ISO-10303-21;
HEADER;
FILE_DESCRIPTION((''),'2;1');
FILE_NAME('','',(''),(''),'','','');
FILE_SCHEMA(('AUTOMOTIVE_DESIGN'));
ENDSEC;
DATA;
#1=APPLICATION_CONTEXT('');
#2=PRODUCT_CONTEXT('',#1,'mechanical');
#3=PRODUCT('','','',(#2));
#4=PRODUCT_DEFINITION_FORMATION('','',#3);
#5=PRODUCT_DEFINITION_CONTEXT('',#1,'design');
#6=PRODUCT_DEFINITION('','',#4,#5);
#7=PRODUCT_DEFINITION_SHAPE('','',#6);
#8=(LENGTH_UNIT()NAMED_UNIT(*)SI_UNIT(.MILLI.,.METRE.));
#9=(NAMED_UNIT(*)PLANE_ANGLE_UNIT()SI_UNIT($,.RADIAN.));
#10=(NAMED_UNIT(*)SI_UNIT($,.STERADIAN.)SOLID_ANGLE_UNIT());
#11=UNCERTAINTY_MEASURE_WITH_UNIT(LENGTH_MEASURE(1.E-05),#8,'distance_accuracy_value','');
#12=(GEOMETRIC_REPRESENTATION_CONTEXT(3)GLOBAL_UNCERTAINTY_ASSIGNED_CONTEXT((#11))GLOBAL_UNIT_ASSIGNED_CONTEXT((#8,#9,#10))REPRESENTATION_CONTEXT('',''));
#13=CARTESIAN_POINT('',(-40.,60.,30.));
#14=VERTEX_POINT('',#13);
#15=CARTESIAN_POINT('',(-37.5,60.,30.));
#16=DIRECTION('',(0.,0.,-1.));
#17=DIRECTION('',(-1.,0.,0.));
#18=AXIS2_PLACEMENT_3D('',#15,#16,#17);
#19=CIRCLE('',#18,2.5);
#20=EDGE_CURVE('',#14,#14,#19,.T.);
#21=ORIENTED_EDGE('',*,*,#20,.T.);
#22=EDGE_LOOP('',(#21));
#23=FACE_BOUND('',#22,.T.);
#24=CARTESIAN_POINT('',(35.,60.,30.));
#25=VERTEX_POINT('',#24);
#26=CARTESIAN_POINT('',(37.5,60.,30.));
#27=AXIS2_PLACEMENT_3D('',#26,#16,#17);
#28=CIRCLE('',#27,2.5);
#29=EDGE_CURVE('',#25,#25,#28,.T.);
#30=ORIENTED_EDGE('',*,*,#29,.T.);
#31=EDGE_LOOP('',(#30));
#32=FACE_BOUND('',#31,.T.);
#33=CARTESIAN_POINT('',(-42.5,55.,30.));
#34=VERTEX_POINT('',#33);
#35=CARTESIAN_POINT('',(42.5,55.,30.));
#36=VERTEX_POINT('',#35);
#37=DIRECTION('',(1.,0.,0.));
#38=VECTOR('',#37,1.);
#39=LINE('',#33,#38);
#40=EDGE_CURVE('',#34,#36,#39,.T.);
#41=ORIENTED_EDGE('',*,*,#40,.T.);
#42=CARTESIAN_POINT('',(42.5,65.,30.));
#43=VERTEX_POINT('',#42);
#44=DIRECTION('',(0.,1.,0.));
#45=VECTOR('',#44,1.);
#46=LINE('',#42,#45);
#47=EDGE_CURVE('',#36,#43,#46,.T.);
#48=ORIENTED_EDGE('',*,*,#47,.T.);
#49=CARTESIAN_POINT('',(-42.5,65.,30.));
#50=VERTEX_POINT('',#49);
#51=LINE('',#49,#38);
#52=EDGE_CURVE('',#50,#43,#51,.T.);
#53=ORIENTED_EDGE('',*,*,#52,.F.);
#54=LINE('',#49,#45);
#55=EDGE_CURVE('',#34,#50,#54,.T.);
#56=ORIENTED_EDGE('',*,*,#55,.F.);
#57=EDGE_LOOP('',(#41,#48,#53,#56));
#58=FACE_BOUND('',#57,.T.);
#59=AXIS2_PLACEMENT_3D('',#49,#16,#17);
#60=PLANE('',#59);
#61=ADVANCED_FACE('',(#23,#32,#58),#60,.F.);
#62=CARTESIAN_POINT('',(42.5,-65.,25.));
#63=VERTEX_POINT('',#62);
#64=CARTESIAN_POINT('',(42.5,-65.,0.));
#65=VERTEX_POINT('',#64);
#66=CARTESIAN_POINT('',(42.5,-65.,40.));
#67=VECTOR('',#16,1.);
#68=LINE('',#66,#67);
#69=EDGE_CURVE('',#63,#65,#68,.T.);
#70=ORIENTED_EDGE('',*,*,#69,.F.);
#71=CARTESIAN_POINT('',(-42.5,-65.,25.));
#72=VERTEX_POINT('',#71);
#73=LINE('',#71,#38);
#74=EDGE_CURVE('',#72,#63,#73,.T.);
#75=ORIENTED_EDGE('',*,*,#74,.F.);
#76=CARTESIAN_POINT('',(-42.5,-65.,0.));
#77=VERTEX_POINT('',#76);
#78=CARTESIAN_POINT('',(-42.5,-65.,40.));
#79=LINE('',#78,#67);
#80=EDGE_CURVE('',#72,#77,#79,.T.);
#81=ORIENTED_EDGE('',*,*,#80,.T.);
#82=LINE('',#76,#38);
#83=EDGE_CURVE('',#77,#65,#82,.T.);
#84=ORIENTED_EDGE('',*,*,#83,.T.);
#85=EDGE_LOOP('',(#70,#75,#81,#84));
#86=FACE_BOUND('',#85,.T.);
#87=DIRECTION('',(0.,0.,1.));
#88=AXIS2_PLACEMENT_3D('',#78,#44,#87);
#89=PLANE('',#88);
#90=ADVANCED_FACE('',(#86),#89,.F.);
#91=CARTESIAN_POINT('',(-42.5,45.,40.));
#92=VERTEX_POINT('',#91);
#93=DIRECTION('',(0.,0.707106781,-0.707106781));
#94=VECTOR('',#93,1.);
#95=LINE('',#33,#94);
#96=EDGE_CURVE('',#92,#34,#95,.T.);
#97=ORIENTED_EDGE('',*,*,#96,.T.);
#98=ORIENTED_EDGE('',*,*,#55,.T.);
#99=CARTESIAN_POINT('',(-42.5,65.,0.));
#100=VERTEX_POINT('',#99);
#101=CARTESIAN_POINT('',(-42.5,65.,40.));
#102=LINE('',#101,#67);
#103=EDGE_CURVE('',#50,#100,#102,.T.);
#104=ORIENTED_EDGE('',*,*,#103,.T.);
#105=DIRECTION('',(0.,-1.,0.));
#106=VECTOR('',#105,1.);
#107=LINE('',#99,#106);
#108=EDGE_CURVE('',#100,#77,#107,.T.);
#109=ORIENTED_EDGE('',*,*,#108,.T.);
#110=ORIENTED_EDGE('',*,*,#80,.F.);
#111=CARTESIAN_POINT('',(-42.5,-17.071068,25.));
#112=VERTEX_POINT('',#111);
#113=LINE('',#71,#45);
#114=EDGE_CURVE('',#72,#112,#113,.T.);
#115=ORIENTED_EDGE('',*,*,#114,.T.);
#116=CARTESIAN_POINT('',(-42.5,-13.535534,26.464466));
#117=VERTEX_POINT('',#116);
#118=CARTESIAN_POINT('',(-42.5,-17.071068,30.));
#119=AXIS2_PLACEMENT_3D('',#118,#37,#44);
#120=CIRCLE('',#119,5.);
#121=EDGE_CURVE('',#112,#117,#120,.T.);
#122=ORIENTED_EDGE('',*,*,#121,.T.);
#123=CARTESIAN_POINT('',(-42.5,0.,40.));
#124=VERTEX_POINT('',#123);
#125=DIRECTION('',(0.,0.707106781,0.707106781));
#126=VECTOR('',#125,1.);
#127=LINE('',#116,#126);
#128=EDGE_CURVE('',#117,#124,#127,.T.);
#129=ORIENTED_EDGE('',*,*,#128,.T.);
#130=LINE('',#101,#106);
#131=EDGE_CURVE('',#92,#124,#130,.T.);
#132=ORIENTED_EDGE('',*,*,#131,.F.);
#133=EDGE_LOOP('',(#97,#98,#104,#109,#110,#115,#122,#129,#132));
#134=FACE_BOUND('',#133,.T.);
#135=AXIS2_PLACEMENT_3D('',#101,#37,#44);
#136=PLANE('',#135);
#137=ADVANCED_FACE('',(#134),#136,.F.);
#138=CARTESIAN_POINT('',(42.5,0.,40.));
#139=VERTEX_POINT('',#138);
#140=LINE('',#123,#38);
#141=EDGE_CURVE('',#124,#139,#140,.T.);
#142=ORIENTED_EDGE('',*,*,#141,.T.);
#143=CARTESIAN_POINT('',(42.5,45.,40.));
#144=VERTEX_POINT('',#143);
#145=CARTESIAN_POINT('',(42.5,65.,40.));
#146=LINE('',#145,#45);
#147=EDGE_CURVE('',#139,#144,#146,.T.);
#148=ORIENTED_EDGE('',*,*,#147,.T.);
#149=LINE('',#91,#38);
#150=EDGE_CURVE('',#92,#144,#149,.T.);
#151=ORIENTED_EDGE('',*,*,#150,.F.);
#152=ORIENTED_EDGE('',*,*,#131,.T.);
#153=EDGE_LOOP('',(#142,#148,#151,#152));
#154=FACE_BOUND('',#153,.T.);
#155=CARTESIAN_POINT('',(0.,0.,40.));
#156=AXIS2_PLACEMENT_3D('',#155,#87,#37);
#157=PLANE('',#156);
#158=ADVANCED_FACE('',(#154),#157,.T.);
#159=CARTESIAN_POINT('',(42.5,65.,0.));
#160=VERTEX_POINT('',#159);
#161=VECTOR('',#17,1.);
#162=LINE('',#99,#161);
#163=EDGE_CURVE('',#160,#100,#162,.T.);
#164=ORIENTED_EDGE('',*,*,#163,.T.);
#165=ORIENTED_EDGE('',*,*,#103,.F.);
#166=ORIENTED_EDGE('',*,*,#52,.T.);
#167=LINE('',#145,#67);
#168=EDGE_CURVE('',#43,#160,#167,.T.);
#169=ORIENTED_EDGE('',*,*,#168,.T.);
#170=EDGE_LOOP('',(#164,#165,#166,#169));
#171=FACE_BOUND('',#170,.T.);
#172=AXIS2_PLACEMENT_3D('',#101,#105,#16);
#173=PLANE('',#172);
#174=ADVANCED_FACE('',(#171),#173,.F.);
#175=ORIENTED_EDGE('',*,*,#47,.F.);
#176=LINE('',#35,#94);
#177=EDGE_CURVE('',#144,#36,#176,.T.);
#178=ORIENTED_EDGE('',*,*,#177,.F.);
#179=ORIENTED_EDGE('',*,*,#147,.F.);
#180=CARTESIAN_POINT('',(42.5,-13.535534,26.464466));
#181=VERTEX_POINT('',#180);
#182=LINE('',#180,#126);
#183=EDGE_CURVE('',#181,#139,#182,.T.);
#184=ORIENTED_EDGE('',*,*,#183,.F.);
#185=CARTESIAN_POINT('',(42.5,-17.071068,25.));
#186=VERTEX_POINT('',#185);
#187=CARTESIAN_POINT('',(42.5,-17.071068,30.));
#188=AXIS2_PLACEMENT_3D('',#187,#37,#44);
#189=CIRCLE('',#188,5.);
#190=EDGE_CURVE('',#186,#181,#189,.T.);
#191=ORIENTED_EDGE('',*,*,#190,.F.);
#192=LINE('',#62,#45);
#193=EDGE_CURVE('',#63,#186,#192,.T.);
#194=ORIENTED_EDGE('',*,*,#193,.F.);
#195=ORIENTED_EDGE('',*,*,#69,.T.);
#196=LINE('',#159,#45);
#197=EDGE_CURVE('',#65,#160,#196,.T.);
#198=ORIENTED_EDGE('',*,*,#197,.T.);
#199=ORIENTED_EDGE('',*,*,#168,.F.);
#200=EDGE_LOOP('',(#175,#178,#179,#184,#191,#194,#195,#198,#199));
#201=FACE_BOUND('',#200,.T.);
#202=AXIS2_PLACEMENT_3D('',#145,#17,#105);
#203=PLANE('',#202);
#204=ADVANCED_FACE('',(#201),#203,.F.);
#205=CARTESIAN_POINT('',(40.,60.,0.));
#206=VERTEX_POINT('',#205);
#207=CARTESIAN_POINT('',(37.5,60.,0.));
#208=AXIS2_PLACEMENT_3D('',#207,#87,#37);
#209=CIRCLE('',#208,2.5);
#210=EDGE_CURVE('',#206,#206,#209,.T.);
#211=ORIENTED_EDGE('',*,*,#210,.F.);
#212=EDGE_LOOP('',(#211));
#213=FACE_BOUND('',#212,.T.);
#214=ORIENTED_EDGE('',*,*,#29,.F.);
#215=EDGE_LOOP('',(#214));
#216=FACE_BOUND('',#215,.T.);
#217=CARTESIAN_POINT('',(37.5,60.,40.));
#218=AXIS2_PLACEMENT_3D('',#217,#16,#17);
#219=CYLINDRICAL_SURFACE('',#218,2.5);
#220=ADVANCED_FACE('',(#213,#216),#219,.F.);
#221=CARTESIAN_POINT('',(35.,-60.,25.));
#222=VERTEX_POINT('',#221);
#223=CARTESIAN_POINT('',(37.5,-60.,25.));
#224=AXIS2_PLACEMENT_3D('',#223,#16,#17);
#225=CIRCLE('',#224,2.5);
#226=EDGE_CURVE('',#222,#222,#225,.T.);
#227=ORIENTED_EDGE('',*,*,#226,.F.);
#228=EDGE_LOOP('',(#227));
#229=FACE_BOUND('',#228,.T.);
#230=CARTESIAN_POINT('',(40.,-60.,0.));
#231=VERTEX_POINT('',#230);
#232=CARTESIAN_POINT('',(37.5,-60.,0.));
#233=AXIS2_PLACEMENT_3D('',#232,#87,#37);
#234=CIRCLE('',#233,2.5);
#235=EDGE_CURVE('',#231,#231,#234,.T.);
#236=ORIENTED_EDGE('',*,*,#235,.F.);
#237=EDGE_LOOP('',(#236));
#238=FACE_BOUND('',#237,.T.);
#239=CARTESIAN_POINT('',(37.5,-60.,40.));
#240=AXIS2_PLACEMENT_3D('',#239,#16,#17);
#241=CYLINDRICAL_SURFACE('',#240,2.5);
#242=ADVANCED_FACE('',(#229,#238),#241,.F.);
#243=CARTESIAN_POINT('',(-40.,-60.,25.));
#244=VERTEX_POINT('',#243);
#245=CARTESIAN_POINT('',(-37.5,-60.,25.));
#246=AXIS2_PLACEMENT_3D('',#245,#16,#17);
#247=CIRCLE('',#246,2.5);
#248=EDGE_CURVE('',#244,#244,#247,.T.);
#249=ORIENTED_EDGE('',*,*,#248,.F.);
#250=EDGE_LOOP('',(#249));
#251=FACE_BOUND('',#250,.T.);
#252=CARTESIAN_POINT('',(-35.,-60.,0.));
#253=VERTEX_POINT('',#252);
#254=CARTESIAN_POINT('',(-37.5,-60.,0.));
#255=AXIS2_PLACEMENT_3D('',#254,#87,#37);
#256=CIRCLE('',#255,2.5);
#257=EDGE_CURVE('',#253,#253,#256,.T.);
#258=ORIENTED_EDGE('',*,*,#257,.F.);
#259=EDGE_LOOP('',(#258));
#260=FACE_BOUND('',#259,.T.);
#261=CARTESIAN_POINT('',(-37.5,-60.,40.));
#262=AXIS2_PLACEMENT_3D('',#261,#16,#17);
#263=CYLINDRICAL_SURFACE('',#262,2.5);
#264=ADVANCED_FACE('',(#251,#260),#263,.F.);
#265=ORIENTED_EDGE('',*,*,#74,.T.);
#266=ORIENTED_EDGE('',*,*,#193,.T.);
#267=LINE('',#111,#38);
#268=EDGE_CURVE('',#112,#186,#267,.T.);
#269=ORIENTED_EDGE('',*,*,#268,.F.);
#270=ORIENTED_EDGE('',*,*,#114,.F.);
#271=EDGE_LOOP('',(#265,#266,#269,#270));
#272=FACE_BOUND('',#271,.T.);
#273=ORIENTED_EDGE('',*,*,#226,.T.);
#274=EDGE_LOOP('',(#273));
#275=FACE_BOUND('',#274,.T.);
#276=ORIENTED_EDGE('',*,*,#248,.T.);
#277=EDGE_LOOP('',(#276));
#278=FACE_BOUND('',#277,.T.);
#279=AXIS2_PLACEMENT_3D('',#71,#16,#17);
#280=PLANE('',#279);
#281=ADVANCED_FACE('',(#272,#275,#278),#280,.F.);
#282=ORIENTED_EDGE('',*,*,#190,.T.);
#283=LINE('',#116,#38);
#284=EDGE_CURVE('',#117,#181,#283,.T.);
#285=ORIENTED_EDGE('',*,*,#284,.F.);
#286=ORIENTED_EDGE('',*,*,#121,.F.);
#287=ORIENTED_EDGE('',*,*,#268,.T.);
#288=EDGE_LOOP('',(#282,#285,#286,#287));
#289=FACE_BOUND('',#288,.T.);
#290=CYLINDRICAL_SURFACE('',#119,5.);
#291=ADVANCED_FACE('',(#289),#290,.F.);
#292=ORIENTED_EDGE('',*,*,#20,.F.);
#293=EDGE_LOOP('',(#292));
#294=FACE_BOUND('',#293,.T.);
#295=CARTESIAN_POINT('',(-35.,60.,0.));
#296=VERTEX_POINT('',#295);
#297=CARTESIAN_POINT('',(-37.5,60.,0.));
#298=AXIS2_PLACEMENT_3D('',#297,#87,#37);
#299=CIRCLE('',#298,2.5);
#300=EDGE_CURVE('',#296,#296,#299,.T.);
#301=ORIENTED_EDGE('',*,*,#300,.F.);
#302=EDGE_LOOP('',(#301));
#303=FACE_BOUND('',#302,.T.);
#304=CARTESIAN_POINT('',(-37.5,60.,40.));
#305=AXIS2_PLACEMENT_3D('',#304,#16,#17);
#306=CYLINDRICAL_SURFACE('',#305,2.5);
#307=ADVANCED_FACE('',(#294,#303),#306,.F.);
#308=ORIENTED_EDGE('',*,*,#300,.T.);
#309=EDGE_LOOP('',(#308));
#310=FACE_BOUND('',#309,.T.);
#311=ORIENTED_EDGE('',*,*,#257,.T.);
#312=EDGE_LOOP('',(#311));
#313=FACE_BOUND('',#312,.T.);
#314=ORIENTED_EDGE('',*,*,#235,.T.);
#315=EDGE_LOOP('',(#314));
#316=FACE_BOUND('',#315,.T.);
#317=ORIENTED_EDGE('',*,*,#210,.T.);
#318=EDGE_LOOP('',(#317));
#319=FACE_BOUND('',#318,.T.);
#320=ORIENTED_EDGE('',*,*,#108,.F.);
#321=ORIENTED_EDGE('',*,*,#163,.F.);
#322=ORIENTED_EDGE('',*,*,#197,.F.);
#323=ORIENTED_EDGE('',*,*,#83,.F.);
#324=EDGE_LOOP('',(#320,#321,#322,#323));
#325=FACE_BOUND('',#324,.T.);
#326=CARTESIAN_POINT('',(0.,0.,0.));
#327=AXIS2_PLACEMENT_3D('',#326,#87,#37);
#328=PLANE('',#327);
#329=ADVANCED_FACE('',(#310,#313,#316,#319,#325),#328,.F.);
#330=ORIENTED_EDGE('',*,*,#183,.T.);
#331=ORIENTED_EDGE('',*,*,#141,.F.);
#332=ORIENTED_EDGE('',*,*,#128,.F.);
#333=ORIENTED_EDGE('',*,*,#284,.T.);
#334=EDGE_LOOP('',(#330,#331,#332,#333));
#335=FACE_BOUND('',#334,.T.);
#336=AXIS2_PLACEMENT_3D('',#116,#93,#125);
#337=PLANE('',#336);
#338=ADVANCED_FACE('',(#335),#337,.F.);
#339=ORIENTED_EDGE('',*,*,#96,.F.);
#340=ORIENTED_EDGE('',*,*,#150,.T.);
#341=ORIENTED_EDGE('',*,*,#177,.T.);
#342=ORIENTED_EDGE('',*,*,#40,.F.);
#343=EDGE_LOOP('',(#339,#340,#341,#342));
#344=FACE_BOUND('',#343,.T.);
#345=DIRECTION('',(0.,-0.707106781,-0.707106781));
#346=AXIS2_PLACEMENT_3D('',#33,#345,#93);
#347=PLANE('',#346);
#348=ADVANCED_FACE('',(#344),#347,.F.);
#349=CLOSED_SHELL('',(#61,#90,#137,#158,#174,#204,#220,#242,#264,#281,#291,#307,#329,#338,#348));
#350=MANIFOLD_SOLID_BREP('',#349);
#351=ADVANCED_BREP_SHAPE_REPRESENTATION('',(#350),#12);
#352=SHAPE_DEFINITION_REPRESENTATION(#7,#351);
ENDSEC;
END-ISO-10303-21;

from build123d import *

# Parameters (mm, degrees)
SCHIZZO1_W                   = 85
SCHIZZO1_H                   = 130
SCHIZZO1_R                   = 2.5
ESTRUSIONE_ESTRUSIONE1_DEPTH = 40
TAGLIO_ESTRUSIONE1_DEPTH     = 115.236596588


with BuildPart() as part:
    # Schizzo1 → Estrusione-Estrusione1 (new body)
    with BuildSketch(Plane.XY):
        Rectangle(SCHIZZO1_W, SCHIZZO1_H)
        with Locations((-37.5, 60)):
            Circle(SCHIZZO1_R, mode=Mode.SUBTRACT)
        with Locations((37.5, 60)):
            Circle(SCHIZZO1_R, mode=Mode.SUBTRACT)
        with Locations((37.5, -60)):
            Circle(SCHIZZO1_R, mode=Mode.SUBTRACT)
        with Locations((-37.5, -60)):
            Circle(SCHIZZO1_R, mode=Mode.SUBTRACT)
    extrude(amount=ESTRUSIONE_ESTRUSIONE1_DEPTH)

    # Schizzo2 → Taglio-Estrusione1 (cut, through all)
    with BuildSketch(Plane(origin=(42.5, 0, 0), x_dir=(0, 0, -1), z_dir=(1, 0, 0))):
        Polygon((-40, 65), (-30, 65), (-30, 55), (-40, 45), align=None)
        with BuildLine():
            Line((-40, 0), (-40, -65))
            Line((-40, -65), (-25, -65))
            Line((-25, -65), (-25, -17.071067812))
            ThreePointArc((-25, -17.071067812), (-25.380602337, -15.15765065), (-26.464466094, -13.535533906))
            Line((-26.464466094, -13.535533906), (-40, 0))
        make_face()
    extrude(amount=-TAGLIO_ESTRUSIONE1_DEPTH, mode=Mode.SUBTRACT)


solid = part.part
